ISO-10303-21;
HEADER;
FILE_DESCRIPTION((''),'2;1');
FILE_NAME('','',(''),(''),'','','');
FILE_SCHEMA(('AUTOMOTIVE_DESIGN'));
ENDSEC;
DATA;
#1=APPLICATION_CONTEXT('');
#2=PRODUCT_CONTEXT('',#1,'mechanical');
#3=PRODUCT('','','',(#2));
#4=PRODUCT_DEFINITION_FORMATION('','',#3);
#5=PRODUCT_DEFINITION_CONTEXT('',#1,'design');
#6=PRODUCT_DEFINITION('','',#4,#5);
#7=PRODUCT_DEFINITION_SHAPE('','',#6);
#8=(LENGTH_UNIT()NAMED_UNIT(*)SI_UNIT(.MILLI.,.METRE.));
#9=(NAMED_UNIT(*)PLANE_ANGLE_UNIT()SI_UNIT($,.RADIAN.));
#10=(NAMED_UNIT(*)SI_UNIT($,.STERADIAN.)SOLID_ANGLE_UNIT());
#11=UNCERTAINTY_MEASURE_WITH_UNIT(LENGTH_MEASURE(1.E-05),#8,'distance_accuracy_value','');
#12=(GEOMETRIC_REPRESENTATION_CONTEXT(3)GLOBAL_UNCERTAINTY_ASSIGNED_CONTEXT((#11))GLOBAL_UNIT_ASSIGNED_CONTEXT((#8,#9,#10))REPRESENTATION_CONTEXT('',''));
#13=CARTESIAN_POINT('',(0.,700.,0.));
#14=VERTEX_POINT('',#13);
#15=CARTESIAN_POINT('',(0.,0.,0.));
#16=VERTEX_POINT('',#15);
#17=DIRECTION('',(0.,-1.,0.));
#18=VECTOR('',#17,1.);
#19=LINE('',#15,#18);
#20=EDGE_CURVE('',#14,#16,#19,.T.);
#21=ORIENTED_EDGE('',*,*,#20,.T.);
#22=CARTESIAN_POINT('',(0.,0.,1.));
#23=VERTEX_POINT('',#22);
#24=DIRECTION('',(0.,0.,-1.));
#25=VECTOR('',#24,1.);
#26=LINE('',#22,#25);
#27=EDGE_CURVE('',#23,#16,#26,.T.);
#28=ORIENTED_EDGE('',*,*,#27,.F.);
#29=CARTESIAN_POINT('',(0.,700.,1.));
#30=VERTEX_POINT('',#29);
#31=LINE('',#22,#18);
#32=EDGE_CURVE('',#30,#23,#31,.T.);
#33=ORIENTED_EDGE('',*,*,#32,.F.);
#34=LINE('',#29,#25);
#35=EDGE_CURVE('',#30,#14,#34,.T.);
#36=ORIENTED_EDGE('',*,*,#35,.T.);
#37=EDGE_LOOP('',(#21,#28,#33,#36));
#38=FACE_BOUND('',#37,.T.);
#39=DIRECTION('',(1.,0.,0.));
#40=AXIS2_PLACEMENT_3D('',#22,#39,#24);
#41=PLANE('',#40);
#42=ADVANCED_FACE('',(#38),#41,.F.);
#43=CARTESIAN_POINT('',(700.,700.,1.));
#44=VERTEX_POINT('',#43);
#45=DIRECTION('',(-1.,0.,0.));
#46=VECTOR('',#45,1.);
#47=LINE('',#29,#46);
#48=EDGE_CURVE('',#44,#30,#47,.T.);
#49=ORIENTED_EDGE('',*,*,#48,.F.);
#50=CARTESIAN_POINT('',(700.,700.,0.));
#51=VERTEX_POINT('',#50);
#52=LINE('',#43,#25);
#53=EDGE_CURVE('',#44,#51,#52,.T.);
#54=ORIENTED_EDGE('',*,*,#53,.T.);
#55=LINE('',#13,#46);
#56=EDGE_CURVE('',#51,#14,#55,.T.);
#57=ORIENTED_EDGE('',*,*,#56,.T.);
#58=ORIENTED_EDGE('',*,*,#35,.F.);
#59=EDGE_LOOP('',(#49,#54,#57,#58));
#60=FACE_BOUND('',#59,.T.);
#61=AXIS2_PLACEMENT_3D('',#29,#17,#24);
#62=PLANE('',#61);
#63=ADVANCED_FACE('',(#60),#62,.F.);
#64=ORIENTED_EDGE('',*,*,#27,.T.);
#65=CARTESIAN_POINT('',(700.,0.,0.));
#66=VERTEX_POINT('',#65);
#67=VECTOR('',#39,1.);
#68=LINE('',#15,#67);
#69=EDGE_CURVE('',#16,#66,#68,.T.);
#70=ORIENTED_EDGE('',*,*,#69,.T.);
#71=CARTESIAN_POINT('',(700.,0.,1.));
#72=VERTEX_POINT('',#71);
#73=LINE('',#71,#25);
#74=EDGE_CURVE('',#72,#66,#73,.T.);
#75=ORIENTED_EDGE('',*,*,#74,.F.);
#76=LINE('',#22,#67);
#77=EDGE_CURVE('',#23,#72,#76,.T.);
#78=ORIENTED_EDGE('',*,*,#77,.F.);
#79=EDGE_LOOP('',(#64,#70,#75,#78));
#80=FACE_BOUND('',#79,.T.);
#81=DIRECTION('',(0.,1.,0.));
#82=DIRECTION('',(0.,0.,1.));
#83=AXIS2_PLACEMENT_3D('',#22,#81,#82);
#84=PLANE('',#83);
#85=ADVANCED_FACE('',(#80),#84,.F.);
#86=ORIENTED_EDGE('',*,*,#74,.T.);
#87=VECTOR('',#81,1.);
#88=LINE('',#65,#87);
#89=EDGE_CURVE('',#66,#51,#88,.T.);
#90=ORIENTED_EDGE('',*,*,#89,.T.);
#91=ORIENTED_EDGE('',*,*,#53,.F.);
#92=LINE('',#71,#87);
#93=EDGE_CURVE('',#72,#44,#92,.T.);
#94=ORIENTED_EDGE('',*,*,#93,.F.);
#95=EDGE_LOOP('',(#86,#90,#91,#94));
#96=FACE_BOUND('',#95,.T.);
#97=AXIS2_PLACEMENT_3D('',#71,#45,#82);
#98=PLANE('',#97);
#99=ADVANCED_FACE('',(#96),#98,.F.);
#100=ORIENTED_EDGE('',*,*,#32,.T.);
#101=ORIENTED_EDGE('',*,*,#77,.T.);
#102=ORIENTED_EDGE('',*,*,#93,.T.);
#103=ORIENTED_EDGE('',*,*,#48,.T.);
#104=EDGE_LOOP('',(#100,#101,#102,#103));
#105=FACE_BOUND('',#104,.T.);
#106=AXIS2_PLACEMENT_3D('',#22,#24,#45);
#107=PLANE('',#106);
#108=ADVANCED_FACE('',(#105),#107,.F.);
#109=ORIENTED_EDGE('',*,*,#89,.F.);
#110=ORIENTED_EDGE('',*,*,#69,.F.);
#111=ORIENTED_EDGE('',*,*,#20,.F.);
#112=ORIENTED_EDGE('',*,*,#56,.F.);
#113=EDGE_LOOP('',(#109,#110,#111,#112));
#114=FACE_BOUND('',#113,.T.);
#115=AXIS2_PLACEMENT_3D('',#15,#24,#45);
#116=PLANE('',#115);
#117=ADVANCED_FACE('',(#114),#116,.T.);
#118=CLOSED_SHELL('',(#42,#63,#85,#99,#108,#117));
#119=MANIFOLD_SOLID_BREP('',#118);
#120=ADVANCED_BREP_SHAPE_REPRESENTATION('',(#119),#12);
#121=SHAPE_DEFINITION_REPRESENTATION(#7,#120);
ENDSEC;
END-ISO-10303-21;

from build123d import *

# Parameters (mm, degrees)
SKETCH_2_W      = 700
SKETCH_2_H      = 700
EXTRUDE_1_DEPTH = 1


with BuildPart() as part:
    # ｽｹｯﾁ2 → ﾎﾞｽ - 押し出し1 (new body)
    with BuildSketch(Plane.XY):
        with Locations((350, 350)):
            Rectangle(SKETCH_2_W, SKETCH_2_H)
    extrude(amount=EXTRUDE_1_DEPTH)


solid = part.part
